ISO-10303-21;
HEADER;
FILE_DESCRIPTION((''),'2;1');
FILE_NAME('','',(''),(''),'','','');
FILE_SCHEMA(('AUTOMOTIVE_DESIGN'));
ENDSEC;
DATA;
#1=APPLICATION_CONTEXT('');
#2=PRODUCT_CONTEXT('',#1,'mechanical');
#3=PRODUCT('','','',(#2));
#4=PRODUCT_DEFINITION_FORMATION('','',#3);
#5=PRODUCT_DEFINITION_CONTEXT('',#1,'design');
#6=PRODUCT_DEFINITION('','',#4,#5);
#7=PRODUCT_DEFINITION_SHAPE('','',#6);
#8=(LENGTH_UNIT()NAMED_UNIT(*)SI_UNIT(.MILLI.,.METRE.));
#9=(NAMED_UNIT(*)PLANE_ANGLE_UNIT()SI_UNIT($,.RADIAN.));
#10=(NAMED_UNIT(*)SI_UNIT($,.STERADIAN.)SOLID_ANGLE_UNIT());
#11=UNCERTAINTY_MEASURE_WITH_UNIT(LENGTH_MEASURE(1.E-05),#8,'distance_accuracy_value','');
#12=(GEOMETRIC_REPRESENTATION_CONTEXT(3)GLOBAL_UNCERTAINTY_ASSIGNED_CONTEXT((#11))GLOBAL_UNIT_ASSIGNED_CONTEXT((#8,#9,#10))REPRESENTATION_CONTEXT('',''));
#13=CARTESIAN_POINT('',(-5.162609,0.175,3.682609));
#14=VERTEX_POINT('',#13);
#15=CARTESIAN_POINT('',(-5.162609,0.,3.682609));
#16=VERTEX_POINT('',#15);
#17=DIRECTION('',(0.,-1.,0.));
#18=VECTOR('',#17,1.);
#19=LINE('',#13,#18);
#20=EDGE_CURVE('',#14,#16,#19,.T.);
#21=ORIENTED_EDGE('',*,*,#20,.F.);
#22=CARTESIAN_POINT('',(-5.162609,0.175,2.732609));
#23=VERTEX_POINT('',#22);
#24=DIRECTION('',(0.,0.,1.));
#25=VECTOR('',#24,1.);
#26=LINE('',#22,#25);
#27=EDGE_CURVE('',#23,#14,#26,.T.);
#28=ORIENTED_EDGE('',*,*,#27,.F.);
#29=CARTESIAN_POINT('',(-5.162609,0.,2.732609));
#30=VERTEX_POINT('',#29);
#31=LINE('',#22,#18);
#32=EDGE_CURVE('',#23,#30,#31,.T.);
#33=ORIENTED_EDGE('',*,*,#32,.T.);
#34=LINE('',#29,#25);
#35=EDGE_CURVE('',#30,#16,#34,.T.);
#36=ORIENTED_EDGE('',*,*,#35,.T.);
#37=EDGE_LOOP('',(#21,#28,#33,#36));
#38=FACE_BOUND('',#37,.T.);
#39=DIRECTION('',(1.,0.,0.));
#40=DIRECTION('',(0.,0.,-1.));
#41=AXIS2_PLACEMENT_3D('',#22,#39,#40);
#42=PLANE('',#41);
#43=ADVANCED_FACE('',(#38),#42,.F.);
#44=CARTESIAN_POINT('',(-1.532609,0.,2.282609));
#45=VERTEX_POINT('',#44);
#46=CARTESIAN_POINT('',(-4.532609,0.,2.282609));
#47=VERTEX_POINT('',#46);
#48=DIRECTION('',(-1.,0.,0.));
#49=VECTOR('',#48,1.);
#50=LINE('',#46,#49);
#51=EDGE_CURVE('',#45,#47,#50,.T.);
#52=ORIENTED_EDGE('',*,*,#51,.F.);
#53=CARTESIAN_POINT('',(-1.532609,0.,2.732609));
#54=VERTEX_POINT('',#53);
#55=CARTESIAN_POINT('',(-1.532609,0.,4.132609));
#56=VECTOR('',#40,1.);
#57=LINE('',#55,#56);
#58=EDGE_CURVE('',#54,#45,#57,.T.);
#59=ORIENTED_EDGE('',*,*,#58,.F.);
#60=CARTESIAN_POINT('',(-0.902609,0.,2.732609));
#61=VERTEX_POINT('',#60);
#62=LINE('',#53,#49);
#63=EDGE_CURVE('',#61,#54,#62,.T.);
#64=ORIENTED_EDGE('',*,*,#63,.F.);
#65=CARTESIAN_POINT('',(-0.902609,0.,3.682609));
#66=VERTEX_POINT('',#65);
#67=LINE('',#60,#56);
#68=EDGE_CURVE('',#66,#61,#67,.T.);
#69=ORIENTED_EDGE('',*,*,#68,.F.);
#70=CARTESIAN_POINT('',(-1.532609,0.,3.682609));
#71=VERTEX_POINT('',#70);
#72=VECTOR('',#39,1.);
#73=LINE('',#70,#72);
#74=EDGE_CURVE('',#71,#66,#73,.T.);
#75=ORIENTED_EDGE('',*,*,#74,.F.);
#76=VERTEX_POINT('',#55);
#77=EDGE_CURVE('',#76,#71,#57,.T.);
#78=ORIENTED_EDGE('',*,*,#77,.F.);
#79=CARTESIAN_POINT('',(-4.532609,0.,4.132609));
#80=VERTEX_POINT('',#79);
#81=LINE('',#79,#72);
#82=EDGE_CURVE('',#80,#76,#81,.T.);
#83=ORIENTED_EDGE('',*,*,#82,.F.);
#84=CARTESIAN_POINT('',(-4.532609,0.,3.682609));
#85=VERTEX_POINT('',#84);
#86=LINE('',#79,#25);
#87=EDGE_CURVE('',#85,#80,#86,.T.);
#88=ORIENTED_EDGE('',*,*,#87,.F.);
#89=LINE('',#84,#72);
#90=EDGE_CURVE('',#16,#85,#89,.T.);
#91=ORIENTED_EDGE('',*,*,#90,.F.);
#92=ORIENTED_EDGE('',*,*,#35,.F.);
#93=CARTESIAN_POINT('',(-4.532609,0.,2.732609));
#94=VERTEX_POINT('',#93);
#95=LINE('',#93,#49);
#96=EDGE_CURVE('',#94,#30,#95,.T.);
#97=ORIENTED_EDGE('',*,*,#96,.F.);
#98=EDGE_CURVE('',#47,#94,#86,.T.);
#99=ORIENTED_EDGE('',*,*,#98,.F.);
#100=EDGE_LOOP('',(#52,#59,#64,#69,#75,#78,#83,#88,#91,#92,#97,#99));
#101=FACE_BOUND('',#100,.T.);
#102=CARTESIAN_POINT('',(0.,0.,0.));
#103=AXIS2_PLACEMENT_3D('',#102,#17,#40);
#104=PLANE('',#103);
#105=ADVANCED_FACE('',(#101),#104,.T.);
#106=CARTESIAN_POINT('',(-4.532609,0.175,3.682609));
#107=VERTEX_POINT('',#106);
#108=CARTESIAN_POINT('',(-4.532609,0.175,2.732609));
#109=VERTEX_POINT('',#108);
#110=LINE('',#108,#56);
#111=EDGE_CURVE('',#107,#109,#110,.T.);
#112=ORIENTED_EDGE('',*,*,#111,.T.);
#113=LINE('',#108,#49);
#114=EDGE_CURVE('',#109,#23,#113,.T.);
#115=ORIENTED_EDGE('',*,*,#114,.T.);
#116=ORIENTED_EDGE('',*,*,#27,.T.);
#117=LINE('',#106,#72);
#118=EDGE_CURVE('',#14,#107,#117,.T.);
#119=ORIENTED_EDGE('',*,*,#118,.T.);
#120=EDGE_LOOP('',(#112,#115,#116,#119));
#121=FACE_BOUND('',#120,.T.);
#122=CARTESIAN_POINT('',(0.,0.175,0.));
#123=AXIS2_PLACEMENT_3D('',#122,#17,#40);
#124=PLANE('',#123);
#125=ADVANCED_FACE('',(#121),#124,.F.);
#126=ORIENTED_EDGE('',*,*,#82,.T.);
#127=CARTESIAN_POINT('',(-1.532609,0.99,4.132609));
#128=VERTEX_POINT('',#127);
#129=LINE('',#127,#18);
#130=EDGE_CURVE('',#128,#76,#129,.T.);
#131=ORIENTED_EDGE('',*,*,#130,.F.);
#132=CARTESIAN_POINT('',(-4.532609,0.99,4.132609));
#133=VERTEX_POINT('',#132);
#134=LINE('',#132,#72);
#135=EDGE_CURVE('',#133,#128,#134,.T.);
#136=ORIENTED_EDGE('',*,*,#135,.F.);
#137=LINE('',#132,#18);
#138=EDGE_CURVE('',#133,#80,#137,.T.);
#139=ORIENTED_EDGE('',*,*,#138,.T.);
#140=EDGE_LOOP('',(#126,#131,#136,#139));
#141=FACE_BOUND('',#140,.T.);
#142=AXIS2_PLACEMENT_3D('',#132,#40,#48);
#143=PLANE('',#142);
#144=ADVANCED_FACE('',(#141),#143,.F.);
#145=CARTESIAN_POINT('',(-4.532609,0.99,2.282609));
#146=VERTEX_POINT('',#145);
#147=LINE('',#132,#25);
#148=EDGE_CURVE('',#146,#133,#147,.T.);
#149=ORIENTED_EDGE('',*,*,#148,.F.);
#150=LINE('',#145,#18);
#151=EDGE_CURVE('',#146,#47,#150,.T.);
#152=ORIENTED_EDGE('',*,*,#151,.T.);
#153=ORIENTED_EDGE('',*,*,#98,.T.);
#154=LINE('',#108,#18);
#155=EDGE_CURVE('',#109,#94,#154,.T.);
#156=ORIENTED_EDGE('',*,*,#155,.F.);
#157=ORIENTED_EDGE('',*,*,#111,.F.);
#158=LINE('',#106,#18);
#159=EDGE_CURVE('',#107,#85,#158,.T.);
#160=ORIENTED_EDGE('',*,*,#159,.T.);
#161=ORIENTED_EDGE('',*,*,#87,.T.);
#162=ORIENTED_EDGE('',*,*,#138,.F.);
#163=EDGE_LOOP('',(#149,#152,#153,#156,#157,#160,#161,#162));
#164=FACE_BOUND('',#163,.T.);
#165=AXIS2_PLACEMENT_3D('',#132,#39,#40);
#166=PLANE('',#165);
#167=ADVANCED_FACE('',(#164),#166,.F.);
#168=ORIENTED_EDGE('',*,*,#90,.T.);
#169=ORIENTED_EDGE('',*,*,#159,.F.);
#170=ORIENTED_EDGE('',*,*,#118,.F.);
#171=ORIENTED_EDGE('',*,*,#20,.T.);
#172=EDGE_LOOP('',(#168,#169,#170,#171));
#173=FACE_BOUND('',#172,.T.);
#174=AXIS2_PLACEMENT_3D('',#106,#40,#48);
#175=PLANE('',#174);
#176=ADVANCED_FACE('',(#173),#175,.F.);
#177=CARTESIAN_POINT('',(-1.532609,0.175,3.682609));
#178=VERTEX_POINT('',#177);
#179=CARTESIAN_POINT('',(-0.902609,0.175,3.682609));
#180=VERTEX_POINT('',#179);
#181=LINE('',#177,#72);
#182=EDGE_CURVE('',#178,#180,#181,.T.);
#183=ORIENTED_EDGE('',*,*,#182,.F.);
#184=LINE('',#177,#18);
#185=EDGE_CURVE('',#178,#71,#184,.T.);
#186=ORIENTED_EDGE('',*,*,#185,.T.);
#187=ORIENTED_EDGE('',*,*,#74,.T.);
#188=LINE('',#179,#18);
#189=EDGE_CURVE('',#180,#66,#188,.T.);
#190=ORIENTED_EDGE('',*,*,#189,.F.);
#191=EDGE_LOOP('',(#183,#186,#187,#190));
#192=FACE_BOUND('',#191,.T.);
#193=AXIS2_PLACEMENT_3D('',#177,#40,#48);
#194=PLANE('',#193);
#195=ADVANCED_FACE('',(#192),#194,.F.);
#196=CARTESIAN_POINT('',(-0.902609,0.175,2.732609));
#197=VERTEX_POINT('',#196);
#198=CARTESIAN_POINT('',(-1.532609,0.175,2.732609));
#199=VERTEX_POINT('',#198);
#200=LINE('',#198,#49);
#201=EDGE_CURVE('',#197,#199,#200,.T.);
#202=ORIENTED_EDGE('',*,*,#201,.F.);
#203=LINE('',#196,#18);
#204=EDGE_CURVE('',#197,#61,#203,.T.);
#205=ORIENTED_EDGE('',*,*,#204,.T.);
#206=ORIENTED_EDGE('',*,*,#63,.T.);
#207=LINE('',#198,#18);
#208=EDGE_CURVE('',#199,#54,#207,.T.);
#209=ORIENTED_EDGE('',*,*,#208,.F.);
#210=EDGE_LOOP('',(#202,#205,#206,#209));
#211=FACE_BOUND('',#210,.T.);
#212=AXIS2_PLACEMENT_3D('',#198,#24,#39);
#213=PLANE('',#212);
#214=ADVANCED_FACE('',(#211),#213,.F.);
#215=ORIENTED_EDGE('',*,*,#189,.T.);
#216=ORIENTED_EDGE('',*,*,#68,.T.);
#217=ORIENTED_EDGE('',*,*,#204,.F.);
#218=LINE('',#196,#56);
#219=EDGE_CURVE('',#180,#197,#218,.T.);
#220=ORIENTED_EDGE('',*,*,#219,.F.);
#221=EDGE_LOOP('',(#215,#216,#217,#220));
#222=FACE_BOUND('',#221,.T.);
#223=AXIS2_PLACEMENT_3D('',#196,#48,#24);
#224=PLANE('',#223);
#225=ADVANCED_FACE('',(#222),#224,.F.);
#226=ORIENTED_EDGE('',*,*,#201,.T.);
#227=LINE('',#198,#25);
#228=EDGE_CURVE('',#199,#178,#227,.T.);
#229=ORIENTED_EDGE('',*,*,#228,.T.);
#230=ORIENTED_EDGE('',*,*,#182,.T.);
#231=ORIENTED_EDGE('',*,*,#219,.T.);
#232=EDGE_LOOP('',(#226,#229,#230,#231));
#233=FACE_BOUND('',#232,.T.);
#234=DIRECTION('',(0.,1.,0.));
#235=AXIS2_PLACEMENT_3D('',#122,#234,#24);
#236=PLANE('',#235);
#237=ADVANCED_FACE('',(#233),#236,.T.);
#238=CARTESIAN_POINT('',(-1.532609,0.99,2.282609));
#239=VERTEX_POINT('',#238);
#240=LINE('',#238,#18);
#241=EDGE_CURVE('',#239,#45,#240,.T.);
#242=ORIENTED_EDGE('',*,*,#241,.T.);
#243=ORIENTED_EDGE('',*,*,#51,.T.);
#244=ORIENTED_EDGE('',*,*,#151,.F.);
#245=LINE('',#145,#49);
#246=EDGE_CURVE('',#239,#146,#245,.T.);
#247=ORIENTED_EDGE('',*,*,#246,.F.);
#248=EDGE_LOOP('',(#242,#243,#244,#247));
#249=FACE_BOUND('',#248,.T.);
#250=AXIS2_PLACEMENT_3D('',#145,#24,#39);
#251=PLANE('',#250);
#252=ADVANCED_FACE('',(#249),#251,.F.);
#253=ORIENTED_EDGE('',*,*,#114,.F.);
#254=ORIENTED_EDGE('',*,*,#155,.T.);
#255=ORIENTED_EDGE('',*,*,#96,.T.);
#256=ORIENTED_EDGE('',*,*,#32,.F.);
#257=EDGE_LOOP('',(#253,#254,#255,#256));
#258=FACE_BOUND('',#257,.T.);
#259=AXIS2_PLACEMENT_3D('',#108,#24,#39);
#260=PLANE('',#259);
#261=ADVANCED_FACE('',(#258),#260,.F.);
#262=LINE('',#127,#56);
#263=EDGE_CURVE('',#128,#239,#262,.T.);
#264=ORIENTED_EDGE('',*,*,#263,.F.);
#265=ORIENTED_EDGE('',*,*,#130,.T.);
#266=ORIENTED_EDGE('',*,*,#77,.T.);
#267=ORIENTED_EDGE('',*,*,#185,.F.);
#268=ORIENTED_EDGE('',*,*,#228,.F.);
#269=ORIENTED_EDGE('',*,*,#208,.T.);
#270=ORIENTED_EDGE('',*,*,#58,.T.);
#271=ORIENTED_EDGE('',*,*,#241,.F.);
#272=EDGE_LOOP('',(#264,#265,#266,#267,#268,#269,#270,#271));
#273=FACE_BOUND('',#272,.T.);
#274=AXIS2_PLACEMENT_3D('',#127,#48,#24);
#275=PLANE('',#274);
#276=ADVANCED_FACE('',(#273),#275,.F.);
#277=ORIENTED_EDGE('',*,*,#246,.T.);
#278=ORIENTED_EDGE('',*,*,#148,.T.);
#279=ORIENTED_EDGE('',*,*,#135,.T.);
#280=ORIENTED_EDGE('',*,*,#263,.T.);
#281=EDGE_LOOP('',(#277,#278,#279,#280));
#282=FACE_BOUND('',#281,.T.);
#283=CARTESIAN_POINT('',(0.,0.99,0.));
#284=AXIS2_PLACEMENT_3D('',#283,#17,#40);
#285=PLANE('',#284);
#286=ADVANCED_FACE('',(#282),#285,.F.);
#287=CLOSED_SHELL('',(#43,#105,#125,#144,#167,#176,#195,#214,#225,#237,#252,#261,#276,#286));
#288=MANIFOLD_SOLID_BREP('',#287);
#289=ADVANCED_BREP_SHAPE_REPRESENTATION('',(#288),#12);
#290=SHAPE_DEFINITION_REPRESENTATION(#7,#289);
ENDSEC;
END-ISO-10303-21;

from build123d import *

# Parameters (mm, degrees)
SKETCH2_W           = 3
SKETCH2_H           = 1.85
BOSS_EXTRUDE1_DEPTH = 0.99
SKETCH3_W           = 0.63
SKETCH3_H           = 0.95
BOSS_EXTRUDE2_DEPTH = 0.175


with BuildPart() as part:
    # Sketch2 → Boss-Extrude1 (new body)
    with BuildSketch(Plane(origin=(0, 0, 0), x_dir=(1, 0, 0), z_dir=(0, 1, 0))):
        with Locations((-3.032608696, -3.207608696)):
            Rectangle(SKETCH2_W, SKETCH2_H)
    extrude(amount=BOSS_EXTRUDE1_DEPTH)

    # Sketch3 → Boss-Extrude2 (add)
    with BuildSketch(Plane(origin=(0, 0, 0), x_dir=(1, 0, 0), z_dir=(0, 1, 0))):
        with Locations((-4.847608696, -3.207608696)):
            Rectangle(SKETCH3_W, SKETCH3_H)
        with Locations((-1.217608696, -3.207608696)):
            Rectangle(SKETCH3_W, SKETCH3_H)
    extrude(amount=BOSS_EXTRUDE2_DEPTH)


solid = part.part
